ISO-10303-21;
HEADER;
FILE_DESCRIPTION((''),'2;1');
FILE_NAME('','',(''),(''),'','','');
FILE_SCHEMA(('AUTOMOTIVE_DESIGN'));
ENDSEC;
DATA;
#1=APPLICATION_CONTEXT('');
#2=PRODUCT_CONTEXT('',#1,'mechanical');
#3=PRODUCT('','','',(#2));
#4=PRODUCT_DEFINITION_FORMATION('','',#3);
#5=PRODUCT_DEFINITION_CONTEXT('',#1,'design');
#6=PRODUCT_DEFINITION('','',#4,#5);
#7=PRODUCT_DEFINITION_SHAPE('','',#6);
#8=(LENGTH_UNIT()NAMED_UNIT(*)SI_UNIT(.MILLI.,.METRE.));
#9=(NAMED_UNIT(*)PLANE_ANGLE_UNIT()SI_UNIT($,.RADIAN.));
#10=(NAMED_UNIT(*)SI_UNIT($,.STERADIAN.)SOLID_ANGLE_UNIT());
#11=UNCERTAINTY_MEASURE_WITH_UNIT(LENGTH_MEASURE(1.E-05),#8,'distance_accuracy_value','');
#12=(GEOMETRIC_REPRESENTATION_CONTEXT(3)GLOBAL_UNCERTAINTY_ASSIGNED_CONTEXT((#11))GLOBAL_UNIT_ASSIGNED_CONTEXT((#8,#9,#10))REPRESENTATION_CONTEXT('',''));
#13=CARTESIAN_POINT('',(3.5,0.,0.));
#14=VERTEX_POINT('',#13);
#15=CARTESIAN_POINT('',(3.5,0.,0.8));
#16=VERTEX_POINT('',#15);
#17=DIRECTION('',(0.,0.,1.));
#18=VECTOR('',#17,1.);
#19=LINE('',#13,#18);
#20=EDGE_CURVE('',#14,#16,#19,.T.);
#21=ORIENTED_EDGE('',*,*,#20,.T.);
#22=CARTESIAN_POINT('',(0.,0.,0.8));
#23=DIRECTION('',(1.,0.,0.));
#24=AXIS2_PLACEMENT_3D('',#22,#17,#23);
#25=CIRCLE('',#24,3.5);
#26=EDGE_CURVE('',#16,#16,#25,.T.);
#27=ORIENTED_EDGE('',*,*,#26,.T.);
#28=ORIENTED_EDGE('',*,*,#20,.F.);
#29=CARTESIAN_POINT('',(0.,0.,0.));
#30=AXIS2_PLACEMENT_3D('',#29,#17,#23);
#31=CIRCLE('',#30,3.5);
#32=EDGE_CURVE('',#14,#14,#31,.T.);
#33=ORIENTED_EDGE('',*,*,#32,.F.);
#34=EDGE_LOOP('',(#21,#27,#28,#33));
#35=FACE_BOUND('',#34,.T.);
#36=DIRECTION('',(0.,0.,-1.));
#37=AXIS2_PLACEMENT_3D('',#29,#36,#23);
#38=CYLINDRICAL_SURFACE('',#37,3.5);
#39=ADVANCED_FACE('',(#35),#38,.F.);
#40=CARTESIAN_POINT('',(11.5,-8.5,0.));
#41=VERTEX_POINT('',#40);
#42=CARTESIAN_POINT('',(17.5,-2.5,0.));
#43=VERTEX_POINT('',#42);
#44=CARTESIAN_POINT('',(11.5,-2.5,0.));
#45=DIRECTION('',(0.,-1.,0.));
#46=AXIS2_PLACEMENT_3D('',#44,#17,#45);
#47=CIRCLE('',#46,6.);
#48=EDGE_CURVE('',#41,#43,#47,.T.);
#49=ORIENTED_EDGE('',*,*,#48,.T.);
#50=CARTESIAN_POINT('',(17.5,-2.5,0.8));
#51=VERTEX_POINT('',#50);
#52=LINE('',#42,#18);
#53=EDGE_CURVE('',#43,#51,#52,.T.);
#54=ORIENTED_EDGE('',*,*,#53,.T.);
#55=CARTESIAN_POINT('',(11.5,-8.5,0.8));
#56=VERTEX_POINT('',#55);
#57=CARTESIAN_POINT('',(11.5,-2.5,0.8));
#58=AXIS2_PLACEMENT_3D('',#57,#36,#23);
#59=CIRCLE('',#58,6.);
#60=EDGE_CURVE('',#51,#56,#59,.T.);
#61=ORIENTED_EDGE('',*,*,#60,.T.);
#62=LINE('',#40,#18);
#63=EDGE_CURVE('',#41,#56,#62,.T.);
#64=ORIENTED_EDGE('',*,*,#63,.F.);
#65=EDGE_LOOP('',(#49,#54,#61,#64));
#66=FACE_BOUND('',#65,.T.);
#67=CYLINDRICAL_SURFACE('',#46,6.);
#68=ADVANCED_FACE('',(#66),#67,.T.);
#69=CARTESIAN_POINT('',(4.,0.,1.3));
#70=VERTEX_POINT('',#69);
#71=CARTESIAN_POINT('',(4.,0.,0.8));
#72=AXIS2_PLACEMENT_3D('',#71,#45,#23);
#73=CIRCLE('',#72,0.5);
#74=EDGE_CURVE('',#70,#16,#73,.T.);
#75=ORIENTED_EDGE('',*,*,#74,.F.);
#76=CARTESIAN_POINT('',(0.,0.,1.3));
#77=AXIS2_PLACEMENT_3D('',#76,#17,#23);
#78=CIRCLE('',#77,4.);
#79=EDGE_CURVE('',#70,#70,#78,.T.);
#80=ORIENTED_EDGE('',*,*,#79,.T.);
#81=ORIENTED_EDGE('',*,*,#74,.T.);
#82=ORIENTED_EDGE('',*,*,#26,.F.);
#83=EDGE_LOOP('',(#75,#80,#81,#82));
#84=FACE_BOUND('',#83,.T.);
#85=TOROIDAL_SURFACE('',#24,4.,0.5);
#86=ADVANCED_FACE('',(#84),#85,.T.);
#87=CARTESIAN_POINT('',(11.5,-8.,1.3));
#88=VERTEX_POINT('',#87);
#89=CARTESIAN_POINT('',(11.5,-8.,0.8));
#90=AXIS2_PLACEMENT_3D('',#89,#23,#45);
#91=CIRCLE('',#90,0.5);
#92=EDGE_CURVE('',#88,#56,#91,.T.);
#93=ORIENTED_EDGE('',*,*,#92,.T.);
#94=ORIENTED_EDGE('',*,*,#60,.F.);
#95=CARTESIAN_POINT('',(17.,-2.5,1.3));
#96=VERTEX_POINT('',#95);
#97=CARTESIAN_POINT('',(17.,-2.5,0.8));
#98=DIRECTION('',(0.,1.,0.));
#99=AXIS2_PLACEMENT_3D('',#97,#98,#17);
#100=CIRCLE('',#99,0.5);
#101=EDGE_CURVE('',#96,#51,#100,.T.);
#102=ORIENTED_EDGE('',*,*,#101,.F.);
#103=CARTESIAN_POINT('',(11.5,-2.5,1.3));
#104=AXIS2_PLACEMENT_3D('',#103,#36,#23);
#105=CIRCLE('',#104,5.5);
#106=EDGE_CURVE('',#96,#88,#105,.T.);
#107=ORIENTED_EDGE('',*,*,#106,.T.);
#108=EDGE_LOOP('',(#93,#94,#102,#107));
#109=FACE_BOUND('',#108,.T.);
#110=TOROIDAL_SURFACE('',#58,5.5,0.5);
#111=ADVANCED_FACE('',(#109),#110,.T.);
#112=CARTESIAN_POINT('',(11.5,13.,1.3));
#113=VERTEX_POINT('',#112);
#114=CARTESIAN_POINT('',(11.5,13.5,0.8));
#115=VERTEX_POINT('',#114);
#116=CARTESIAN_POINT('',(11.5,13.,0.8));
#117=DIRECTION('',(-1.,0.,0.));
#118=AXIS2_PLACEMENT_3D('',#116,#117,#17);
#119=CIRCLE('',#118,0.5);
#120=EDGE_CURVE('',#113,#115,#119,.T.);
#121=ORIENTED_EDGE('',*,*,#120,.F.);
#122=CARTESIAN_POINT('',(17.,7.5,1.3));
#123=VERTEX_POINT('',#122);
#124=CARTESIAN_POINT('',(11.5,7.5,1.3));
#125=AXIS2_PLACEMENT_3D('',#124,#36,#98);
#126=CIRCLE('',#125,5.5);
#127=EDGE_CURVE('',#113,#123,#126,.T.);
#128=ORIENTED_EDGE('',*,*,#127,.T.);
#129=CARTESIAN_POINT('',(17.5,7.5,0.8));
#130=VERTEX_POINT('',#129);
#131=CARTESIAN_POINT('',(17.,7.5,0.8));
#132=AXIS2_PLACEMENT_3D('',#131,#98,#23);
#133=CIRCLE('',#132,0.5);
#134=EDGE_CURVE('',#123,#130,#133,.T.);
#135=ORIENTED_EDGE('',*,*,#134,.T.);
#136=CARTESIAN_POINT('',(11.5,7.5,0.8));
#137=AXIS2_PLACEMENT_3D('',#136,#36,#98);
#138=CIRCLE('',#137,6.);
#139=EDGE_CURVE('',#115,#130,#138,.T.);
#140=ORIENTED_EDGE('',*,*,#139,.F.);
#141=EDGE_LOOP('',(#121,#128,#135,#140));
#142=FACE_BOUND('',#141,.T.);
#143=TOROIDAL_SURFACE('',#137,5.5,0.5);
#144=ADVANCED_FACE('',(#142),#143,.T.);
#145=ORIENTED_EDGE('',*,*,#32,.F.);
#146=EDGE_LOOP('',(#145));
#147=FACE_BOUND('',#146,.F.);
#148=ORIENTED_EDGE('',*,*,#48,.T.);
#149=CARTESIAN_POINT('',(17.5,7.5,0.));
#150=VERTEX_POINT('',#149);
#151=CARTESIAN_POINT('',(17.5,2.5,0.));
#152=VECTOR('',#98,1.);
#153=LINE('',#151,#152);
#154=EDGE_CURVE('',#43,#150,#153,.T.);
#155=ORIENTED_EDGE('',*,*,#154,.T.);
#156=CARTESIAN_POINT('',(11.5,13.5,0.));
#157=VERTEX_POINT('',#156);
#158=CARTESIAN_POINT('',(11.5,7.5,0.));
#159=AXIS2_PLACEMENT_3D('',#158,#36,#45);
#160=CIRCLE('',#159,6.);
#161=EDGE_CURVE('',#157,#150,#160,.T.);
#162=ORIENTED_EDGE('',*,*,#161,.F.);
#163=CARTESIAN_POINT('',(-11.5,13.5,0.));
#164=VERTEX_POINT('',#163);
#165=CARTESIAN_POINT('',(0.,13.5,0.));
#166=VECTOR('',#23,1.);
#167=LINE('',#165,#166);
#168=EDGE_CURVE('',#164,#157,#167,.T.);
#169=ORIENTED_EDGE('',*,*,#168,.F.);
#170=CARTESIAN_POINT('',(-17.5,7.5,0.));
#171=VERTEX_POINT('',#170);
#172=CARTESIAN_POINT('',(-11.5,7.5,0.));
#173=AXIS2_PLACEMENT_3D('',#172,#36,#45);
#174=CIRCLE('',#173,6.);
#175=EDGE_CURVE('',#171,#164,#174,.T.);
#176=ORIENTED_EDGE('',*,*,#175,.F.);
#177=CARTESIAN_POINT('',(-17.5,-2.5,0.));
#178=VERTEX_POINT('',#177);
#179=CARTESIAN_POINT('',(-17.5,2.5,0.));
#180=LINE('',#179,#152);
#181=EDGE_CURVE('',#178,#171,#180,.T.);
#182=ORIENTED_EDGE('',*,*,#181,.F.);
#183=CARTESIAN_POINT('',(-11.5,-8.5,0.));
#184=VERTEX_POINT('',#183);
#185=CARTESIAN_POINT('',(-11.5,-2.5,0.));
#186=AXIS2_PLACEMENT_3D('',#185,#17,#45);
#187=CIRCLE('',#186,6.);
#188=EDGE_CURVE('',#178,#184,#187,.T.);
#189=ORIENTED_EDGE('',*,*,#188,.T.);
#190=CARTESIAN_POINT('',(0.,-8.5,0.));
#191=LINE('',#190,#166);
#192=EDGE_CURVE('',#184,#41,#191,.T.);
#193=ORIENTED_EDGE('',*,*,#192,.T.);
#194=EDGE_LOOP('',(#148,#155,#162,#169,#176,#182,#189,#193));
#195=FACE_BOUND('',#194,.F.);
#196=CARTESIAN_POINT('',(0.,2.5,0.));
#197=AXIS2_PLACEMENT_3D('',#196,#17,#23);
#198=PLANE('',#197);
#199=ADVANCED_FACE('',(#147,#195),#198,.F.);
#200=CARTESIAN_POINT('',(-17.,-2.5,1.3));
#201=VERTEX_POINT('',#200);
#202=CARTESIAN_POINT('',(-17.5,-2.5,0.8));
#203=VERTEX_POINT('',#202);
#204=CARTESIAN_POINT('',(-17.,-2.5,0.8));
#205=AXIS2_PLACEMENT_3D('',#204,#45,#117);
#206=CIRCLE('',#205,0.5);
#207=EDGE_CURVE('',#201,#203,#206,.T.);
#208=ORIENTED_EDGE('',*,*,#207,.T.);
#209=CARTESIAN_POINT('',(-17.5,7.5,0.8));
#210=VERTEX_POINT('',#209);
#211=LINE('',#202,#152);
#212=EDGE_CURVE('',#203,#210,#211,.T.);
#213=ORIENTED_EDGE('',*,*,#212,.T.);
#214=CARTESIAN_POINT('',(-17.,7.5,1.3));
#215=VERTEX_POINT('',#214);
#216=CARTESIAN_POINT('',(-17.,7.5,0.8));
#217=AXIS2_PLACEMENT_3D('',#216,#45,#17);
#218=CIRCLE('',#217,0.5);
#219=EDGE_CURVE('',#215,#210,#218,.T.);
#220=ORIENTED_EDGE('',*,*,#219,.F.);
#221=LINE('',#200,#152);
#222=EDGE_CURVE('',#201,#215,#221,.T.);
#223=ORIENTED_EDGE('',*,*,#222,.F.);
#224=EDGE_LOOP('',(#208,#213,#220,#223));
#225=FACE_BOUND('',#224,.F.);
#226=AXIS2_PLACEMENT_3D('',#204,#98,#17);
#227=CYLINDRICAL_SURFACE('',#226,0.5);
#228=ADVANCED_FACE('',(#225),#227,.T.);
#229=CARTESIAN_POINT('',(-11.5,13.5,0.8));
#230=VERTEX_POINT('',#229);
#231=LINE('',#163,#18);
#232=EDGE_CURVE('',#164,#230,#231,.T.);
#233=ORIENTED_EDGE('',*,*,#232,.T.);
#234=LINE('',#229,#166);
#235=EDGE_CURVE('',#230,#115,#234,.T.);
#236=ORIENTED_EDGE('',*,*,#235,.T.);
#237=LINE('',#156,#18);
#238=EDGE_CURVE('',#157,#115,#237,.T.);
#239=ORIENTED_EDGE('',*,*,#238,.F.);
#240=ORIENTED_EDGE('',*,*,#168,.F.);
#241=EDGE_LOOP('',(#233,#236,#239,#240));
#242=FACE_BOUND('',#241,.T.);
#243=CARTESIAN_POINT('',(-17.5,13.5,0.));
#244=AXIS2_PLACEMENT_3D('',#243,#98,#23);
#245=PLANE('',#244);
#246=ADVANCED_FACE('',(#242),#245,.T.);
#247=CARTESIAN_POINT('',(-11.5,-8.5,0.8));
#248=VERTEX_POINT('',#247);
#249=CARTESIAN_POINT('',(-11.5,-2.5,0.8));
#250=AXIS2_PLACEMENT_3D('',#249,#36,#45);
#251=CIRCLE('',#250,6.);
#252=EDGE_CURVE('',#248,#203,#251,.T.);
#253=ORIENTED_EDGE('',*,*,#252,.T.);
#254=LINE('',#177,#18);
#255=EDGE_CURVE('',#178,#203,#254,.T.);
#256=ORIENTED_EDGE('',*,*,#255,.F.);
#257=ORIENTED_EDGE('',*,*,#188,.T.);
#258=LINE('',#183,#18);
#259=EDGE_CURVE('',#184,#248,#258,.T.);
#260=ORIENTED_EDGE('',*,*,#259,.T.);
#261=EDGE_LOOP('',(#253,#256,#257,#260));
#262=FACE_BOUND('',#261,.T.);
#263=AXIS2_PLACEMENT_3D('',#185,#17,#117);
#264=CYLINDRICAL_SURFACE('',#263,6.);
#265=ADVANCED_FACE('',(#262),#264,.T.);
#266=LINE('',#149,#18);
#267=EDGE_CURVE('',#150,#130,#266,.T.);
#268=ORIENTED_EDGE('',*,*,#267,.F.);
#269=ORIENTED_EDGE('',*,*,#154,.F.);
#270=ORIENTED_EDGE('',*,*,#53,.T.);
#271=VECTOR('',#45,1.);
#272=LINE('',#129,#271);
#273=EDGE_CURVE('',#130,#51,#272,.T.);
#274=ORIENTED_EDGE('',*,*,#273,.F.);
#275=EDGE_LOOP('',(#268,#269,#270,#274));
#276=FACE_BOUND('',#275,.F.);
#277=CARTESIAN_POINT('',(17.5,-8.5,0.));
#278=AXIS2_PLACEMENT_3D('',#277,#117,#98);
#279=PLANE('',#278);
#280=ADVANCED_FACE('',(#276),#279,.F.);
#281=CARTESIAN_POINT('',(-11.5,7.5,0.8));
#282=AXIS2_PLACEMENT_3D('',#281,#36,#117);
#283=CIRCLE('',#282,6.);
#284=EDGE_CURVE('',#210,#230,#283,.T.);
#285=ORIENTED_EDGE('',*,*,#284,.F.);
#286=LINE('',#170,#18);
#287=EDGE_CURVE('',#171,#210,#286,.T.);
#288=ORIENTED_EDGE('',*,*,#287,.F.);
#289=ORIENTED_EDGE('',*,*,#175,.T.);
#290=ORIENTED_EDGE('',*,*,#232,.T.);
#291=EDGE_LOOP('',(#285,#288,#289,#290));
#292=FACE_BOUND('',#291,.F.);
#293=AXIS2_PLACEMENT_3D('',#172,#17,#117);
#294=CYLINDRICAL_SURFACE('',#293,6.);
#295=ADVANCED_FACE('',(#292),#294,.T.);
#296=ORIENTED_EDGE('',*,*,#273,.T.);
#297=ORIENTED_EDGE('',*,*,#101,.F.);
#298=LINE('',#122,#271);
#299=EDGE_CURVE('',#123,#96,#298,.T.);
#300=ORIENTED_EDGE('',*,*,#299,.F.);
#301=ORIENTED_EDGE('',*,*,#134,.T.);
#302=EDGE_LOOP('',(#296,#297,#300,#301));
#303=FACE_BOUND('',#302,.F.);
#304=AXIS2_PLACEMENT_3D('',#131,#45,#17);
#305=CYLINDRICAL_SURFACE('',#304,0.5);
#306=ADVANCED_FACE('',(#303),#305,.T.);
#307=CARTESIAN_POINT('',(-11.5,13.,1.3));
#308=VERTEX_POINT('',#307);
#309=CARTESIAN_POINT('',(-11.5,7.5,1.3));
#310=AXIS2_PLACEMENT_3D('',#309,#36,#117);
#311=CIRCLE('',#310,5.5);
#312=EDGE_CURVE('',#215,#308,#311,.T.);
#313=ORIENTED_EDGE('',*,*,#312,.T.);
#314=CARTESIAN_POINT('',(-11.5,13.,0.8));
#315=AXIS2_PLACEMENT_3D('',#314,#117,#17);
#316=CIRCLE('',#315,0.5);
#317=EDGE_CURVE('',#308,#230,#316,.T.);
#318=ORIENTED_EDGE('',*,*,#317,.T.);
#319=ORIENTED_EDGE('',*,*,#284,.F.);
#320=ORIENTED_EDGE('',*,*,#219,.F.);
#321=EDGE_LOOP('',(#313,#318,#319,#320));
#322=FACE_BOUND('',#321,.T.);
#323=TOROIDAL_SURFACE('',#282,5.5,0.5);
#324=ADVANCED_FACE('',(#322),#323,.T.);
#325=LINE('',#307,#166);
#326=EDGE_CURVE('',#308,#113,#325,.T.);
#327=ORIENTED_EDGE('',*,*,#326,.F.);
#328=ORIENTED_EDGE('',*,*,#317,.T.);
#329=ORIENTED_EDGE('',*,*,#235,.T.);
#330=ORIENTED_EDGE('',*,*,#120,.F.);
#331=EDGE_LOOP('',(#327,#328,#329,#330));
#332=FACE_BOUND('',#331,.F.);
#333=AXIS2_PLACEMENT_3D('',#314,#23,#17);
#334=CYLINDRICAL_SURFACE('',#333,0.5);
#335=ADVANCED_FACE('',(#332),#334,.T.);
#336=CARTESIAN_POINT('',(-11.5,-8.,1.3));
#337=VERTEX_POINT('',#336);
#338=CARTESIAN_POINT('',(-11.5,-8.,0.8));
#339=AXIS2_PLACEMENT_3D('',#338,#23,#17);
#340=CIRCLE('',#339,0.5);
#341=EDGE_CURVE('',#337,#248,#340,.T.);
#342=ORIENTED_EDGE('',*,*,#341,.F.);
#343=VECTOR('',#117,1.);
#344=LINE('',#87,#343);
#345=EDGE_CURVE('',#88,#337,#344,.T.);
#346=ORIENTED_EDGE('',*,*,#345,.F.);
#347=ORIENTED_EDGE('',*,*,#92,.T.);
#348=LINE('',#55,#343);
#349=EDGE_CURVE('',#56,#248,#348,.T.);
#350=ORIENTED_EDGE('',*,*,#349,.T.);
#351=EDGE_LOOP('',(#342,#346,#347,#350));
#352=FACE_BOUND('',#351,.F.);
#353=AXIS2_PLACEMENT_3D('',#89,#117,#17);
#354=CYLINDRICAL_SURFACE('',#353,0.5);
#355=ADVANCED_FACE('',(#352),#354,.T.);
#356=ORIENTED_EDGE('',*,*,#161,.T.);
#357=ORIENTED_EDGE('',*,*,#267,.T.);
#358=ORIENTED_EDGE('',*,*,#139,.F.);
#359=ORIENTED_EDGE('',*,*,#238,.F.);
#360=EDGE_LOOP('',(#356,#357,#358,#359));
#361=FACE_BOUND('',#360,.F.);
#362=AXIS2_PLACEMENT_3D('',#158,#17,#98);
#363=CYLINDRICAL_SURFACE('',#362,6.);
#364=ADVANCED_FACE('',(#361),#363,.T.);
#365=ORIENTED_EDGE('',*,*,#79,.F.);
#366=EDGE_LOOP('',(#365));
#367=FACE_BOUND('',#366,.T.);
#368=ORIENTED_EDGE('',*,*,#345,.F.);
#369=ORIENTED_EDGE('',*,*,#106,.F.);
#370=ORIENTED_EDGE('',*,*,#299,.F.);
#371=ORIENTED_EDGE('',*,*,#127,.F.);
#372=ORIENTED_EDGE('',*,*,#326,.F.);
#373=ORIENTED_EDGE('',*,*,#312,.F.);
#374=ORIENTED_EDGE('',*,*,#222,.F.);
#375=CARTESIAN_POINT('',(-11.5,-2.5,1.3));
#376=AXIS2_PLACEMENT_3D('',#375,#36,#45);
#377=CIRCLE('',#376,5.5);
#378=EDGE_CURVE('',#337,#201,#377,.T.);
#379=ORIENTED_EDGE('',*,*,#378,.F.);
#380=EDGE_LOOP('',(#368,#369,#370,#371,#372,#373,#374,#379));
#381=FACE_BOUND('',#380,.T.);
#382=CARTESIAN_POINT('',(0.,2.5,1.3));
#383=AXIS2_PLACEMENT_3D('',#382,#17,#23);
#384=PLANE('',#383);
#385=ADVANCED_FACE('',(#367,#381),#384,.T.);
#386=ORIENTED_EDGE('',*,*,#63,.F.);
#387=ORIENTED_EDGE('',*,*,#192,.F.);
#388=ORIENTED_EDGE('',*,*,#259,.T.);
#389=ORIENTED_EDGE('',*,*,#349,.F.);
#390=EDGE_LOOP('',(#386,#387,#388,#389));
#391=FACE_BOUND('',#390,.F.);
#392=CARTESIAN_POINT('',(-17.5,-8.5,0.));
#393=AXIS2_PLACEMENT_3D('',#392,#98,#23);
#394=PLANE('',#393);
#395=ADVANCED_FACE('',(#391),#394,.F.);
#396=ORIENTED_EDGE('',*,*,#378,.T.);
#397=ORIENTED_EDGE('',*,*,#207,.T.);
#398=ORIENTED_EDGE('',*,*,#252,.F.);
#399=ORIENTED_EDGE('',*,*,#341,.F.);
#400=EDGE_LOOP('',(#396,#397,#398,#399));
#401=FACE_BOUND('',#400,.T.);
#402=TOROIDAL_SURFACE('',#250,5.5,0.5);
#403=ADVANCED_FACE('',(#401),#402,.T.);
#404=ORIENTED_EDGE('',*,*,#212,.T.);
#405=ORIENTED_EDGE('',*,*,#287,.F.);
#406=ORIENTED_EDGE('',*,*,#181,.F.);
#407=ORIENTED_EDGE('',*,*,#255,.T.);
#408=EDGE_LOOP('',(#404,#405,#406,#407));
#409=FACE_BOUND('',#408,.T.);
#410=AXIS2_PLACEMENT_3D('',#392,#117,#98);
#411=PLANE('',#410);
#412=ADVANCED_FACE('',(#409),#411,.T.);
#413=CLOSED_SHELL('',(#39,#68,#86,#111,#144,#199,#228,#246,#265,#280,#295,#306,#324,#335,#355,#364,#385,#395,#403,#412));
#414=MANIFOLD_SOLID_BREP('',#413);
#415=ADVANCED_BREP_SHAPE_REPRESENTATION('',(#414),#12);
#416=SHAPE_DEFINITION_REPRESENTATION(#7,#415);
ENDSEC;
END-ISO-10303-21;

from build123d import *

# Parameters (mm, degrees)
F0_W     = 35
F0_H     = 22
F0_R     = 3.5
F1_DEPTH = 1.3
F2_R     = 6
F3_R     = 0.5


with BuildPart() as f1:
    # F0 (on Top) → F1 (new body)
    with BuildSketch(Plane.XY):
        with Locations((0, 2.5)):
            Rectangle(F0_W, F0_H)
        Circle(F0_R, mode=Mode.SUBTRACT)
    extrude(amount=F1_DEPTH)

    # F2
    f2_edges = [f1.edges().sort_by_distance(p)[0] for p in [
        (17.5, 13.5, 0.65),
        (-17.5, 13.5, 0.65),
        (-17.5, -8.5, 0.65),
        (17.5, -8.5, 0.65),
    ]]
    fillet(f2_edges, radius=F2_R)

    # F3
    f3_edges = [f1.edges().sort_by_distance(p)[0] for p in [
        (0, 13.5, 1.3),
        (15.742641, 11.742641, 1.3),
        (-15.742641, 11.742641, 1.3),
        (17.5, 2.5, 1.3),
        (-17.5, 2.5, 1.3),
        (15.742641, -6.742641, 1.3),
        (-15.742641, -6.742641, 1.3),
        (0, -8.5, 1.3),
        (-3.5, 0, 1.3),
    ]]
    fillet(f3_edges, radius=F3_R)


solid = f1.part
